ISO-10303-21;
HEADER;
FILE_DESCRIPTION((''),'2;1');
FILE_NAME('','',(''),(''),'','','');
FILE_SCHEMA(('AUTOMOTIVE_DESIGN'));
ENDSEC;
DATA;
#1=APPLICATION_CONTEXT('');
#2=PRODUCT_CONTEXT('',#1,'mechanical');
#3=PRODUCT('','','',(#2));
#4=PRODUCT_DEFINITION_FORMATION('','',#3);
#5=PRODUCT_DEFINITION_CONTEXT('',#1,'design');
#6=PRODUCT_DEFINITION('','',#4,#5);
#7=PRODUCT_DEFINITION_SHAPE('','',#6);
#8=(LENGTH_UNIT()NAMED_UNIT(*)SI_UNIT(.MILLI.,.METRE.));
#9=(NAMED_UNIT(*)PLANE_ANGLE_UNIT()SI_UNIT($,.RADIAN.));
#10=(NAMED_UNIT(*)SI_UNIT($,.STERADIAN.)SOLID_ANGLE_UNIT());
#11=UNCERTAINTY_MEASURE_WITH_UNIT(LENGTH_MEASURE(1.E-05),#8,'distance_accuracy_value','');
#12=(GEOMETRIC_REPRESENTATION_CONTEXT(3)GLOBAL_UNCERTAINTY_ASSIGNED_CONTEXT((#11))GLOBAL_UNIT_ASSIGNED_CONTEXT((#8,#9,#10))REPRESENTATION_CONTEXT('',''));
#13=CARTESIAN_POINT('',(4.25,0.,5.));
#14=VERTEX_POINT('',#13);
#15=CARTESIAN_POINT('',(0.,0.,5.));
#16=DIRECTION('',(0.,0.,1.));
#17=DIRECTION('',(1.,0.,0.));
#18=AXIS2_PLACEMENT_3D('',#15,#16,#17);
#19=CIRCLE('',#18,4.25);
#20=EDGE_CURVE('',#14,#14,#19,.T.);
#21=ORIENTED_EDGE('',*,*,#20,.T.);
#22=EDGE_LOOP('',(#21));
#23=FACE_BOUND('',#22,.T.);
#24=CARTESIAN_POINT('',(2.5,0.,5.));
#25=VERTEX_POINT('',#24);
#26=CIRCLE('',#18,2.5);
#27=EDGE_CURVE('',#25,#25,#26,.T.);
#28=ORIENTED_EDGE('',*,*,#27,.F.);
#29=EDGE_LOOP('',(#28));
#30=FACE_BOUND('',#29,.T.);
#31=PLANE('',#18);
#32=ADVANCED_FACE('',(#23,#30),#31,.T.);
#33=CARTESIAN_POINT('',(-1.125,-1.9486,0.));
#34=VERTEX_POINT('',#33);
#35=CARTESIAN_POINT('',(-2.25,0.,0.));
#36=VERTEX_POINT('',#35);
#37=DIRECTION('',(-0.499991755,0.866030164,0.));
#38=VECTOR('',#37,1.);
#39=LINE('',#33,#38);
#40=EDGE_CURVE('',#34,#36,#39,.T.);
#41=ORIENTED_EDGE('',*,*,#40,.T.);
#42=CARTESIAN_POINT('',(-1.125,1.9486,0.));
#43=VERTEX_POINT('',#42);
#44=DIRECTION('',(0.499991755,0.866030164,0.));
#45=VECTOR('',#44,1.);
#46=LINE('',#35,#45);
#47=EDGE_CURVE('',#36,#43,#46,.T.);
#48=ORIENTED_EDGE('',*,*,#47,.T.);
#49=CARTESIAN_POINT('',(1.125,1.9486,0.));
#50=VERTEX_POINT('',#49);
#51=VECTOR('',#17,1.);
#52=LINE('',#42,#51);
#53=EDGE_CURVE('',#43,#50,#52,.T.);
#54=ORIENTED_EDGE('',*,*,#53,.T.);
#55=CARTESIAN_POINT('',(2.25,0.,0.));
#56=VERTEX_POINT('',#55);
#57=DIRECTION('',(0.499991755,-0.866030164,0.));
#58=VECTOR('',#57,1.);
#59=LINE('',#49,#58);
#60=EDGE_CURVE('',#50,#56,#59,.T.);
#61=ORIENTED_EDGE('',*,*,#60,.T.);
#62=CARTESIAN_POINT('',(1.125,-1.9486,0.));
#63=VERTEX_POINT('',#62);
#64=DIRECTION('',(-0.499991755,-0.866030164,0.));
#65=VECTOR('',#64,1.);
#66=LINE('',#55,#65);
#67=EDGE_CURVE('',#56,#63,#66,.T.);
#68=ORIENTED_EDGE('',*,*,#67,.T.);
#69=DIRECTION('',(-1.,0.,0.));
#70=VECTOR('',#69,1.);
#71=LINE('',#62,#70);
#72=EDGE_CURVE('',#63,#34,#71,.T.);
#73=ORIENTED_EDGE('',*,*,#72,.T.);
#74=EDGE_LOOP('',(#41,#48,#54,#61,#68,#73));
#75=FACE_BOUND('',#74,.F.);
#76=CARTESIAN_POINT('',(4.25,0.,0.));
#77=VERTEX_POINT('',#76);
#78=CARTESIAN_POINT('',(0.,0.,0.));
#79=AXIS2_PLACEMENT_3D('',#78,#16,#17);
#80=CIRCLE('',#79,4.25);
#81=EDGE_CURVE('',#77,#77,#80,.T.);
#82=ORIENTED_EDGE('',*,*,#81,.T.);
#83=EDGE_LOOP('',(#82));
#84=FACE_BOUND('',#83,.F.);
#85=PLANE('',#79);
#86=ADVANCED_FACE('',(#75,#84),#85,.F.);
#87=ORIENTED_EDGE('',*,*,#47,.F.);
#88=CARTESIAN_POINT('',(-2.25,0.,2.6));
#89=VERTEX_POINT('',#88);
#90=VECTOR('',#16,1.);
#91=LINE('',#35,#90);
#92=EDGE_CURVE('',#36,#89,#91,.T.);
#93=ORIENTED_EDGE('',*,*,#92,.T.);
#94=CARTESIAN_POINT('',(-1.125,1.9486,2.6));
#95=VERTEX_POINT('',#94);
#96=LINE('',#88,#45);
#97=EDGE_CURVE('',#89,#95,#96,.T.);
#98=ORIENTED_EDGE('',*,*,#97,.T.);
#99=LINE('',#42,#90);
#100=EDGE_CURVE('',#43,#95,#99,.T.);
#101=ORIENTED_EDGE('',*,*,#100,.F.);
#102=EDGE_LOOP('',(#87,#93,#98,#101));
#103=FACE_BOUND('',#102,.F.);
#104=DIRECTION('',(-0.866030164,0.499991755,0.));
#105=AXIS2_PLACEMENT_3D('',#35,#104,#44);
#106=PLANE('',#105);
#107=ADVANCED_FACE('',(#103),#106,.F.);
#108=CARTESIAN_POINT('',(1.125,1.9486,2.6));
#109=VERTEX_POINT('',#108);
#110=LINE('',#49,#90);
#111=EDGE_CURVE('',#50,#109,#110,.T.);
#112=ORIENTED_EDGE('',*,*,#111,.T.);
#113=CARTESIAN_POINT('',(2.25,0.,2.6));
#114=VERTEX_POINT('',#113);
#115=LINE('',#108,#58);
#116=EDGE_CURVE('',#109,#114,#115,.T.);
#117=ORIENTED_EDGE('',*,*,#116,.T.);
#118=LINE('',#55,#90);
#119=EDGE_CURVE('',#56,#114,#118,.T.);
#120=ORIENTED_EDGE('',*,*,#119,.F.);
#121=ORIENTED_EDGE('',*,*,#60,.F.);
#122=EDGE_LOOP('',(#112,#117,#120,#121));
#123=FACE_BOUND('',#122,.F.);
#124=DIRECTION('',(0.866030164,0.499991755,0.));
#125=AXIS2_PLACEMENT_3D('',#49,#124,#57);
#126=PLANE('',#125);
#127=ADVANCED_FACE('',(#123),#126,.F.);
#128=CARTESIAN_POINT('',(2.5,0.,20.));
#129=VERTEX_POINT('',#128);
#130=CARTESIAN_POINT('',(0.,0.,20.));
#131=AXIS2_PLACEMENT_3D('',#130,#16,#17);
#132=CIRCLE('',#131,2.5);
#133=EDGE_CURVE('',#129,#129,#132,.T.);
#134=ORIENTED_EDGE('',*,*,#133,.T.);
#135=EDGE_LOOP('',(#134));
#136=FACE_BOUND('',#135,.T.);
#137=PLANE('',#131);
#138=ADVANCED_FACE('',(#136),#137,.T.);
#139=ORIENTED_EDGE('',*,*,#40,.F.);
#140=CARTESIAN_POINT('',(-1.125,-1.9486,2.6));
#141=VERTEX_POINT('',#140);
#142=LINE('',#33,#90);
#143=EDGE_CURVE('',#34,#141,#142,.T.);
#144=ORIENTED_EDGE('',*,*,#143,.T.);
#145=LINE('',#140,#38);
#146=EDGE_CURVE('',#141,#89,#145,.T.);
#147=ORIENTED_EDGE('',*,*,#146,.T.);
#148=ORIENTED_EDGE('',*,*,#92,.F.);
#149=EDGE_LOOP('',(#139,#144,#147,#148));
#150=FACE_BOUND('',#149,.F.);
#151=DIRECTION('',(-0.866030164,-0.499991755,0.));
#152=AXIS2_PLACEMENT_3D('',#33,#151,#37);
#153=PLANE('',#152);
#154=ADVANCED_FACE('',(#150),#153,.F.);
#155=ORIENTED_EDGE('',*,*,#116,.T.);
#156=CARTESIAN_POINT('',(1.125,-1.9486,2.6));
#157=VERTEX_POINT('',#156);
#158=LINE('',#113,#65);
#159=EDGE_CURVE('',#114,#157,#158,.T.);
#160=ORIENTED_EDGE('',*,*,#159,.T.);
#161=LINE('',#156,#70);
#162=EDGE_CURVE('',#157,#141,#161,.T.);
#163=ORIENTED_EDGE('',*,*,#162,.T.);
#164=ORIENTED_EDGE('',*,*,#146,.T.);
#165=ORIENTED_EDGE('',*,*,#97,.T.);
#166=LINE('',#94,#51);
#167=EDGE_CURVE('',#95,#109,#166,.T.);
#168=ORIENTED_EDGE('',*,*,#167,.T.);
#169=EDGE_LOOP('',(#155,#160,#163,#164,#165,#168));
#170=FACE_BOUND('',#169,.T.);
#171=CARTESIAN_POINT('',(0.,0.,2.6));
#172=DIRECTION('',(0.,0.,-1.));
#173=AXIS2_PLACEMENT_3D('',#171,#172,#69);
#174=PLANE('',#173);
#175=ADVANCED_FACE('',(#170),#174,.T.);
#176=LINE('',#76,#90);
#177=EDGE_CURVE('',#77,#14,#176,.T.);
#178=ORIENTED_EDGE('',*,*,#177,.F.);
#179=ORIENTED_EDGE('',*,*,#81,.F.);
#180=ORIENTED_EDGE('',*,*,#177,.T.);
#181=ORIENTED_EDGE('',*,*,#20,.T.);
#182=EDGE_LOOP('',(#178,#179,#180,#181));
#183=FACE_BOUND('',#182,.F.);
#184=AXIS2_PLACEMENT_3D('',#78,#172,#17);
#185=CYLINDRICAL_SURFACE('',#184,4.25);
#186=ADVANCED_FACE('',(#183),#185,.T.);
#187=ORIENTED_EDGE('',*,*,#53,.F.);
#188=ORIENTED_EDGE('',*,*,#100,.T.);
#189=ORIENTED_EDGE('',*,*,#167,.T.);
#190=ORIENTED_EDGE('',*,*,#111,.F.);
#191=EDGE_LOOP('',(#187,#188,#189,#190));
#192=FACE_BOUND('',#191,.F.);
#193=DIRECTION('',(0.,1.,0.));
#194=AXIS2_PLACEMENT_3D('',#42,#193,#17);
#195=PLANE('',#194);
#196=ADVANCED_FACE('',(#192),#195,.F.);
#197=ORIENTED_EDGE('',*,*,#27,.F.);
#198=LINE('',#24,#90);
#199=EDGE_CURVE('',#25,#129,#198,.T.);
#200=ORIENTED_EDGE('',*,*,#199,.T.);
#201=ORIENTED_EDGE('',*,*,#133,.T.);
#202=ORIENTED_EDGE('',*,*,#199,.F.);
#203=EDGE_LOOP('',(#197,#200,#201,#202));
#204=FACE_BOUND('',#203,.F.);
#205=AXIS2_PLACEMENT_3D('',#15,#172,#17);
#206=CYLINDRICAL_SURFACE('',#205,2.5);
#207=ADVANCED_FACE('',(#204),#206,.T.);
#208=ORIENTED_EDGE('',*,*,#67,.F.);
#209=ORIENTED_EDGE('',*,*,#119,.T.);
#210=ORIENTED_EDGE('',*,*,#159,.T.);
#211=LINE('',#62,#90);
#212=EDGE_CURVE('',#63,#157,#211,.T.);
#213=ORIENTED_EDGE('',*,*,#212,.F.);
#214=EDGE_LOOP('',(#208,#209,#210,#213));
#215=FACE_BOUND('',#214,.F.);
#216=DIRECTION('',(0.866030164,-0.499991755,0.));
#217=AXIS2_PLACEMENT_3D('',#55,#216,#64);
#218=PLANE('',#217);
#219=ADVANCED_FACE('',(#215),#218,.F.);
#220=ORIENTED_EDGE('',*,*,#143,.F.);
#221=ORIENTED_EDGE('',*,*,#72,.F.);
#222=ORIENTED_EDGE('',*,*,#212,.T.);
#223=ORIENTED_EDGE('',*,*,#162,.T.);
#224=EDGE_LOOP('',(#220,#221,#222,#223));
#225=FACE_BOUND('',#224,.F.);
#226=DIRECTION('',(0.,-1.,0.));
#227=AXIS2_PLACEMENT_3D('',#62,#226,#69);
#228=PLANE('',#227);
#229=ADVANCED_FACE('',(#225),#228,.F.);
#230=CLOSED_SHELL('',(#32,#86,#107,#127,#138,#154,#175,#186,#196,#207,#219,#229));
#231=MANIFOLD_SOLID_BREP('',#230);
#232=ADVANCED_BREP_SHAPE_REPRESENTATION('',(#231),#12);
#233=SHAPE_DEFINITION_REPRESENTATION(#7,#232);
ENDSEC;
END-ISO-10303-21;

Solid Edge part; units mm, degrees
sketch "Sketch1" plane through (0, 0, 0) normal (0, 0, 1) x (1, 0, 0)
  circle A0 centre (0, 0) radius 4.25
  dimension "D1" = 8.5
extrude "Protrusion1" add sketch "Sketch1" along normal blind 5
sketch "Sketch2" plane through (0, 0, 5) normal (0, 0, 1) x (1, 0, 0)
  circle A0 centre (0, 0) radius 2.5
extrude "ExtrudedProtrusion_2" add sketch "Sketch2" along normal blind 15
sketch "Sketch3" plane through (0, 0, 0) normal (0, 0, -1) x (-1, 0, 0)
  line L0 (2.25, 0) -> (1.125, 1.9486)
  line L1 (1.125, 1.9486) -> (-1.125, 1.9486)
  line L2 (-1.125, 1.9486) -> (-2.25, 0)
  line L3 (-2.25, 0) -> (-1.125, -1.9486)
  line L4 (-1.125, -1.9486) -> (1.125, -1.9486)
  line L5 (1.125, -1.9486) -> (2.25, 0)
extrude "ExtrudedCutout_1" cut sketch "Sketch3" against normal blind 2.6
properties material "Stainless steel"
